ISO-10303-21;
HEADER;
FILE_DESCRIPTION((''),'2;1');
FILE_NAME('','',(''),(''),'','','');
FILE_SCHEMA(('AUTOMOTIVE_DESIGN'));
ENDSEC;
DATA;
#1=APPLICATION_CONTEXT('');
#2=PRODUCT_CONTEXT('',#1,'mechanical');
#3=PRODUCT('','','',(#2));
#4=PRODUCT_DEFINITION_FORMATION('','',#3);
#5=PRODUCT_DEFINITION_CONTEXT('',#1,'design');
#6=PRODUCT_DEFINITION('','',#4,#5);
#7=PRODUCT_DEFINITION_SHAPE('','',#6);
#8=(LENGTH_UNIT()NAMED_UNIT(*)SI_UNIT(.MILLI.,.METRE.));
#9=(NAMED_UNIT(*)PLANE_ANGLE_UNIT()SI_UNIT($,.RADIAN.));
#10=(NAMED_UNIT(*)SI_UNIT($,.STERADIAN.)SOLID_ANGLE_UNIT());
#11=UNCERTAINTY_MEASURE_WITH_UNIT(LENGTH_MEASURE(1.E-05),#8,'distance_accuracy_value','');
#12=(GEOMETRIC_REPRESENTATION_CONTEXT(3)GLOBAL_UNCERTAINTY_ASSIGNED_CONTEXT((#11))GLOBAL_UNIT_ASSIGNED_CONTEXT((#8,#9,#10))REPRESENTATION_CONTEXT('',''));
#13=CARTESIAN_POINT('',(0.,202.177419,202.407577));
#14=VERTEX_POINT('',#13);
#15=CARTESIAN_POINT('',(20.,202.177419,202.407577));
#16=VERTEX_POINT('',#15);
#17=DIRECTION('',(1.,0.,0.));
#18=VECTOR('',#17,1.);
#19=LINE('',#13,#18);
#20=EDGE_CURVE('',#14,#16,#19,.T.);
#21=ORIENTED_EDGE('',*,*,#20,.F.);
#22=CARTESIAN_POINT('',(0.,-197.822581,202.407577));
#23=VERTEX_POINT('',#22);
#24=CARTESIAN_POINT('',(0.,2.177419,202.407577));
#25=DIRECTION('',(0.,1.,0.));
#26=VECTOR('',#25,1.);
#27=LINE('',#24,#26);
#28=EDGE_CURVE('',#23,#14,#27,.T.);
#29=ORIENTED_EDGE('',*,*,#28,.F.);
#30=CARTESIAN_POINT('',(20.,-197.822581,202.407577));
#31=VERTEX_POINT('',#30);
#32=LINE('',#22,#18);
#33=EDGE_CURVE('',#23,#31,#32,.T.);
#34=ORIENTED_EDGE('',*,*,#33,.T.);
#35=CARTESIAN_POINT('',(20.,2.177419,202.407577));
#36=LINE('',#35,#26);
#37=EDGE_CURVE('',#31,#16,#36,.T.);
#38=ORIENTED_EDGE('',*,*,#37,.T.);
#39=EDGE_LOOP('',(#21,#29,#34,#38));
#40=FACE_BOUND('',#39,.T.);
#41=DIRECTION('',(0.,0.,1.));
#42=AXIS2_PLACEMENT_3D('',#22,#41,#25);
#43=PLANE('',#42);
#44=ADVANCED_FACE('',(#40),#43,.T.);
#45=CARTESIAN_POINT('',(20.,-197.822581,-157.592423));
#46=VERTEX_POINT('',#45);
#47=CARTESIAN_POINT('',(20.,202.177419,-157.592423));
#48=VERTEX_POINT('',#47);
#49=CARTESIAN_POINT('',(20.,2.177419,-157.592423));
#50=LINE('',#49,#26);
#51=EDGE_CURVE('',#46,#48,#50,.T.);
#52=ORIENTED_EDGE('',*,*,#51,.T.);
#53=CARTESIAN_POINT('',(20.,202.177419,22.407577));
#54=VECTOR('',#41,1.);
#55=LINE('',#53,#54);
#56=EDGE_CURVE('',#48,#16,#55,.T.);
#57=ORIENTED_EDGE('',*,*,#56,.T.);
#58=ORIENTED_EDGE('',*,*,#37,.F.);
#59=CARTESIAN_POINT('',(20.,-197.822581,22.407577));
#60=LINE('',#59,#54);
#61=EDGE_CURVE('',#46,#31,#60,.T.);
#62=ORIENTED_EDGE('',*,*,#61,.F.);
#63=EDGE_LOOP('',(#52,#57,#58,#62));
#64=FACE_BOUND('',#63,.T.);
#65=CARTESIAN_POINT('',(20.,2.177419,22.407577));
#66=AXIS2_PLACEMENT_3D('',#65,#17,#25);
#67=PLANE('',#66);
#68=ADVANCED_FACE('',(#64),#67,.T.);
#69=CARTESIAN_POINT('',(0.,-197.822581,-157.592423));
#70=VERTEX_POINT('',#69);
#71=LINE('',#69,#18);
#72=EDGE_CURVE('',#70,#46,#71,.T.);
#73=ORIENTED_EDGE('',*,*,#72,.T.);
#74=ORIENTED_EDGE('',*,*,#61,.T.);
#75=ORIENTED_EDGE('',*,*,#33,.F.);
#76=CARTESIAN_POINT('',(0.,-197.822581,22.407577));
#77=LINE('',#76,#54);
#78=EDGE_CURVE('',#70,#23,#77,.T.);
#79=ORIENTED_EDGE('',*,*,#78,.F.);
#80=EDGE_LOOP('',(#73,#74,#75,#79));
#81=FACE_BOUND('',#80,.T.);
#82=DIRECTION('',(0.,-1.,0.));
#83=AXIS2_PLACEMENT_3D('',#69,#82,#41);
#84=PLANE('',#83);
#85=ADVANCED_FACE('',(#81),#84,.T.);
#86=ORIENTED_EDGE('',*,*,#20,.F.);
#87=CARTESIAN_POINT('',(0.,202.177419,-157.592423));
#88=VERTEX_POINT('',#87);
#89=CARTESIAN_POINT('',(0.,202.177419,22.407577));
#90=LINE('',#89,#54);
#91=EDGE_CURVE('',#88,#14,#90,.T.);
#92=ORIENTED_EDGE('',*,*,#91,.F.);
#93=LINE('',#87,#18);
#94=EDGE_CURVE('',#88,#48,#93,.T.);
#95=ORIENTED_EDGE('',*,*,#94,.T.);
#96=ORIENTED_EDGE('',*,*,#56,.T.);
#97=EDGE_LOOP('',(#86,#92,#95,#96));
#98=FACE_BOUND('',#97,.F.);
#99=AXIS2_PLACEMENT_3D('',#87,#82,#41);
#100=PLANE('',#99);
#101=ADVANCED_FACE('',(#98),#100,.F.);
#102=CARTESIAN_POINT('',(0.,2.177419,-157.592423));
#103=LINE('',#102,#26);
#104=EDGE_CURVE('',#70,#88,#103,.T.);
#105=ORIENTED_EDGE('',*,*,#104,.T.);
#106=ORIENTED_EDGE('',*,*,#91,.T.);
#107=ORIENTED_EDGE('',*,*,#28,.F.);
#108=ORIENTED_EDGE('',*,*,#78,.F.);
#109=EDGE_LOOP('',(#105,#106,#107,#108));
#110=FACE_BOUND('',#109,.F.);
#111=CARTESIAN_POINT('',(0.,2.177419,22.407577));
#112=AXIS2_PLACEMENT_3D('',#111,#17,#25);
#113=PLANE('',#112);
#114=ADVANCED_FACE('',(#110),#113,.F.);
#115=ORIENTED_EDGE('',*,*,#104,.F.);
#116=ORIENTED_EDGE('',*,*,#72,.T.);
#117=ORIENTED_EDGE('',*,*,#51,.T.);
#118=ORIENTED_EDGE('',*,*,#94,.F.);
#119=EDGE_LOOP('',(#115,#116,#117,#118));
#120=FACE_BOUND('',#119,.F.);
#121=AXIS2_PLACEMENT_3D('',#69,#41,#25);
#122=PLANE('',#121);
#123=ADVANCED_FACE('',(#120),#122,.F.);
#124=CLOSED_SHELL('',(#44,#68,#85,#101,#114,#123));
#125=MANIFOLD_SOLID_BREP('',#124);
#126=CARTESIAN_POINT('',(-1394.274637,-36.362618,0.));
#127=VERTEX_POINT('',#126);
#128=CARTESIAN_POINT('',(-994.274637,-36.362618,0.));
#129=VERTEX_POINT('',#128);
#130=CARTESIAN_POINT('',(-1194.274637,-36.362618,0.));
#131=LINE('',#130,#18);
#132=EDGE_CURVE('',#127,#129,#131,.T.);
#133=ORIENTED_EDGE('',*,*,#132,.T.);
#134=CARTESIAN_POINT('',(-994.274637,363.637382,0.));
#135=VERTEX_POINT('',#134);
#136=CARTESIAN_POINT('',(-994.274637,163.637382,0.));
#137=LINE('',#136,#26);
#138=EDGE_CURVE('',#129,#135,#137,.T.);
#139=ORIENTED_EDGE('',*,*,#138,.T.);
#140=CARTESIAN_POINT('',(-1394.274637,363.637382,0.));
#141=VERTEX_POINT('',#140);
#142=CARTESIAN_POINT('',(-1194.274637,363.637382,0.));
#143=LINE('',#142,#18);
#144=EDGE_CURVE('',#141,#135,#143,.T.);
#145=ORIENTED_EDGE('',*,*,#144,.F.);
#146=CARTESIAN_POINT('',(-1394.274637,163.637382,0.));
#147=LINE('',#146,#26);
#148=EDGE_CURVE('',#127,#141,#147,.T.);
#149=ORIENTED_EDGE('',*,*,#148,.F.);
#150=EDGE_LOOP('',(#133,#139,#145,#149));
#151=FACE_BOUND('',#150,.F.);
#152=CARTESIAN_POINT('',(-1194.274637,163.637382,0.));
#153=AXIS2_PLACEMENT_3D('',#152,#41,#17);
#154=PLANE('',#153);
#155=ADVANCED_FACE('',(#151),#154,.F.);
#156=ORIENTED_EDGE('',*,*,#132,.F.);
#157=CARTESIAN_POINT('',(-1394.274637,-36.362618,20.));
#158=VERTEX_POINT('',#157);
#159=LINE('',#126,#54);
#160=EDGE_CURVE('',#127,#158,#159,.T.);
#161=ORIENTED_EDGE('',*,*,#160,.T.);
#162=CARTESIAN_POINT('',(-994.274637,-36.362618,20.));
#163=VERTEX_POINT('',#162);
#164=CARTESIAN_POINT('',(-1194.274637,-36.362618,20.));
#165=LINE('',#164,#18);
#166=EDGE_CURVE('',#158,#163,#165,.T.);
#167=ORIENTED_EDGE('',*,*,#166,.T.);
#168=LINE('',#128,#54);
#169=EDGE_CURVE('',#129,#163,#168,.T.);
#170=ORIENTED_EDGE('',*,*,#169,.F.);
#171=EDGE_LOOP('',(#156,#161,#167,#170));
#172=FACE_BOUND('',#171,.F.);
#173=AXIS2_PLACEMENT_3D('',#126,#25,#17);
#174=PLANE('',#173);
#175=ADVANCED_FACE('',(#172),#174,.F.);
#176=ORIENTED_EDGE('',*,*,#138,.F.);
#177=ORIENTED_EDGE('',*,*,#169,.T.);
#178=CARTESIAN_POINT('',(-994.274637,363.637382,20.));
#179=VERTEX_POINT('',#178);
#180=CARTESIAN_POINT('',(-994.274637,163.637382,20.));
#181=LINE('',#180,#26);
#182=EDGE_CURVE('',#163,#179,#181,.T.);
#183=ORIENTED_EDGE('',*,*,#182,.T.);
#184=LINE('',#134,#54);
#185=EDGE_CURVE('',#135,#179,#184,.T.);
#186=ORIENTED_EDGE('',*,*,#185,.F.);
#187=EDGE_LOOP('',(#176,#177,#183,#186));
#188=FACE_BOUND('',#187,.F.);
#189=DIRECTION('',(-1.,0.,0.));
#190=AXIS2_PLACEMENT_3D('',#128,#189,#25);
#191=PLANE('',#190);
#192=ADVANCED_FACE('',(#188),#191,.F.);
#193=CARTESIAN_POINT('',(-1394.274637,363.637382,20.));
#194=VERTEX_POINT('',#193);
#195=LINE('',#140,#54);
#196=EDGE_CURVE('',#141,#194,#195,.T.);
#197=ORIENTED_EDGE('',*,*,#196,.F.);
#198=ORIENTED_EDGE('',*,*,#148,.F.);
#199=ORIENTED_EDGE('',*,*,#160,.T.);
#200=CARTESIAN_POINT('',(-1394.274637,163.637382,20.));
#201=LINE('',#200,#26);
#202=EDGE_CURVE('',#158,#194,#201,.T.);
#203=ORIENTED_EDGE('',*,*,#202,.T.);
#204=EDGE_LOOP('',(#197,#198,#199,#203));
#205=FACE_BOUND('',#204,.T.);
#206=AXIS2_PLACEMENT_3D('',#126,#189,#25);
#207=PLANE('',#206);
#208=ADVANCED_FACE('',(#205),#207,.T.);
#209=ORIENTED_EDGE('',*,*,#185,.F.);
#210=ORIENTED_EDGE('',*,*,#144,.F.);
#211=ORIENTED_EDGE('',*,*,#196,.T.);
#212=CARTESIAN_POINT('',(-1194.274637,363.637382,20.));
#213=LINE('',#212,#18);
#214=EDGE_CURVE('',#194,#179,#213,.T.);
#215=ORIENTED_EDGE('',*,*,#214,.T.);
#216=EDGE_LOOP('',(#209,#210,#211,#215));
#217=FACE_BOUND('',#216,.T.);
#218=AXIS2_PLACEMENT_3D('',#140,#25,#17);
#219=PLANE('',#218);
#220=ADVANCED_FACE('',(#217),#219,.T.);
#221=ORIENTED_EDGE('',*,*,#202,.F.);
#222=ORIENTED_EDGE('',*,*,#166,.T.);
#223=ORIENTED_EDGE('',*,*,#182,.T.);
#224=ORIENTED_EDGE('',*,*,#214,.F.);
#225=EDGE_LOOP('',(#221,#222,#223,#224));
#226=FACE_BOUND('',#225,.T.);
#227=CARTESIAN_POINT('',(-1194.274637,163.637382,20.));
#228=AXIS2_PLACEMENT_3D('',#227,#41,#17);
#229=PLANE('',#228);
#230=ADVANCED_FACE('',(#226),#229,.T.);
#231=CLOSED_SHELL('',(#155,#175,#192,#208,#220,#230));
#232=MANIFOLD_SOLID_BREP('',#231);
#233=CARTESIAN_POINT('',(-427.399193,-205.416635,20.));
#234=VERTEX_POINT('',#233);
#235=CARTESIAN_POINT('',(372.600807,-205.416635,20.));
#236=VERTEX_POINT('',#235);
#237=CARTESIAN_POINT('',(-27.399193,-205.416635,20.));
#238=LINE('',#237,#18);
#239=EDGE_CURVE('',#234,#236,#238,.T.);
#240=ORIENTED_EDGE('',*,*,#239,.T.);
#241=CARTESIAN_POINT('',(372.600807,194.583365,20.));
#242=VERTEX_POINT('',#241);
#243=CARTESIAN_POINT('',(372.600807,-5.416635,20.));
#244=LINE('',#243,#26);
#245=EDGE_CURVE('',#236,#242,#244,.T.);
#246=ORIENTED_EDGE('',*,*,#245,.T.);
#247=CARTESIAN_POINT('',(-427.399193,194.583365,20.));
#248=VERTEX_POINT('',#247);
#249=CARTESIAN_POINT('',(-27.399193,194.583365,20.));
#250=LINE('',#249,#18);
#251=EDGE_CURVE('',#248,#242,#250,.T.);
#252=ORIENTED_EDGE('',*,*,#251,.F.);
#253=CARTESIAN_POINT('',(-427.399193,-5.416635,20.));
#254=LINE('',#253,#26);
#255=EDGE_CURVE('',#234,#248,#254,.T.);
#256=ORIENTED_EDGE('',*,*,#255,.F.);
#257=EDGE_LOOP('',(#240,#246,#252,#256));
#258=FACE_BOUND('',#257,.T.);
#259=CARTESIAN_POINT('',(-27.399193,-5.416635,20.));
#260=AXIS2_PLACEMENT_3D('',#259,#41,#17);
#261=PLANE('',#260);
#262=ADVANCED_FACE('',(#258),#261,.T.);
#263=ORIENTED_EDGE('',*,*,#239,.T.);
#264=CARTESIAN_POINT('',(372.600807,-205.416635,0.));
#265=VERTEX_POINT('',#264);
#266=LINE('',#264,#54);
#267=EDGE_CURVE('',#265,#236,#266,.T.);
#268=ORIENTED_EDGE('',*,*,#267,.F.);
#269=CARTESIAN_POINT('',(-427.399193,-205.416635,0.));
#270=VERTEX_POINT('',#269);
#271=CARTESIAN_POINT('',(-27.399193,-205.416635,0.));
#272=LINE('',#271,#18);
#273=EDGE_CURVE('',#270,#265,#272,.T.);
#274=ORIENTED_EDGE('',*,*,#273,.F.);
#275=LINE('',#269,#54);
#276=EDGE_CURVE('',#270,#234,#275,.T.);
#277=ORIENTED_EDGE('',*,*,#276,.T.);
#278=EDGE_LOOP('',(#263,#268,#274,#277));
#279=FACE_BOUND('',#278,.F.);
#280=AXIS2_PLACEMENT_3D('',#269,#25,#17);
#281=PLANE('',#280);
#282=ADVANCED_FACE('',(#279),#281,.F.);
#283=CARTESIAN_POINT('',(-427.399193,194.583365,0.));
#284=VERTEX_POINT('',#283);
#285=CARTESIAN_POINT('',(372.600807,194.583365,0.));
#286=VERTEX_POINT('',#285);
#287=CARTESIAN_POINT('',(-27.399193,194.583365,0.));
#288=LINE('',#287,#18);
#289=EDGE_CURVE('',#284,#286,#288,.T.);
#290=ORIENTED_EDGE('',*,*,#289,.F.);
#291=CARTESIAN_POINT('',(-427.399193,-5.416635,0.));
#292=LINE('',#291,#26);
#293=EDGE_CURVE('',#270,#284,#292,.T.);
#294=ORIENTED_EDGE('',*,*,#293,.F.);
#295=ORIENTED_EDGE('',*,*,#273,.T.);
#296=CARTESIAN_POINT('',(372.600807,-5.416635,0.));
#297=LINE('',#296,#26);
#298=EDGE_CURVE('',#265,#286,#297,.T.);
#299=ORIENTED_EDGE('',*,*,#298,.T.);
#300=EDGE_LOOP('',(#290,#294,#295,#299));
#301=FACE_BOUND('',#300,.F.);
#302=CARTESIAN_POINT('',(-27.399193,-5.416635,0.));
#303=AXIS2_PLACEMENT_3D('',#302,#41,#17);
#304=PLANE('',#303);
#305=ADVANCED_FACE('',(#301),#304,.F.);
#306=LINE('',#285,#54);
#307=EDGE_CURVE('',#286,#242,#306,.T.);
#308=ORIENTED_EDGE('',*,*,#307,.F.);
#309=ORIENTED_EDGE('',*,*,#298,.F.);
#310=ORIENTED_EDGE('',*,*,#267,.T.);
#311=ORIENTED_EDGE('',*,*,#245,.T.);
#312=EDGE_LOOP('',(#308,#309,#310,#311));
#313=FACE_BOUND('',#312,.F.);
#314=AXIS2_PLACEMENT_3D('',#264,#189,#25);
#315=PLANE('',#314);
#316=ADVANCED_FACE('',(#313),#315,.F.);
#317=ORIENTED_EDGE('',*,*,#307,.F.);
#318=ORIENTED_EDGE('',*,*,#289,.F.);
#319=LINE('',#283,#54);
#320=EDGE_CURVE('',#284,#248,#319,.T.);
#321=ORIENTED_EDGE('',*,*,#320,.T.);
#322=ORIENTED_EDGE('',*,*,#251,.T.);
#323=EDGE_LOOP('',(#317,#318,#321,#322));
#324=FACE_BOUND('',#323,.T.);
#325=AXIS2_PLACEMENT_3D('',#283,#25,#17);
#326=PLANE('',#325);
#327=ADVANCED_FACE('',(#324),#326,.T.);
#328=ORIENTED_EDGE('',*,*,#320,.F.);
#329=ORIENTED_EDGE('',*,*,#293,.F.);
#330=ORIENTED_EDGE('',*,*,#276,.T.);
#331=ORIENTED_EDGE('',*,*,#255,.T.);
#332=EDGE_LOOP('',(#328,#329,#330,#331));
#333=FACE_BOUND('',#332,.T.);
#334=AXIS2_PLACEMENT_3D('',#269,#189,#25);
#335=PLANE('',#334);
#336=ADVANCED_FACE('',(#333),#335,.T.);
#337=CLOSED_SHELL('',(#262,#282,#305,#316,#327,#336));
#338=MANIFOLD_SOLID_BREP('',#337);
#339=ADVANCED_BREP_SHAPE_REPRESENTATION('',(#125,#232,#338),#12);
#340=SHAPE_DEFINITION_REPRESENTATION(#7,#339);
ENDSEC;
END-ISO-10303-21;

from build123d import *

# Parameters (mm, degrees)
F0_W     = 400
F0_H     = 400
F1_DEPTH = 20
F2_W     = 400
F2_H     = 360
F3_DEPTH = 20
F4_W     = 800
F4_H     = 400
F5_DEPTH = 20


with BuildPart() as f1:
    # F0 (on Top) → F1 (new body)
    with BuildSketch(Plane.XY):
        with Locations((-1194.274637, 163.637382)):
            Rectangle(F0_W, F0_H)
    extrude(amount=F1_DEPTH)


with BuildPart() as f3:
    # F2 (on Right) → F3 (new body)
    with BuildSketch(Plane.YZ):
        with Locations((2.177419, 22.407577)):
            Rectangle(F2_W, F2_H)
    extrude(amount=F3_DEPTH)


with BuildPart() as f5:
    # F4 (on Top) → F5 (new body)
    with BuildSketch(Plane.XY):
        with Locations((-27.399193, -5.416635)):
            Rectangle(F4_W, F4_H)
    extrude(amount=F5_DEPTH)


solid = Compound([f1.part, f3.part, f5.part])
